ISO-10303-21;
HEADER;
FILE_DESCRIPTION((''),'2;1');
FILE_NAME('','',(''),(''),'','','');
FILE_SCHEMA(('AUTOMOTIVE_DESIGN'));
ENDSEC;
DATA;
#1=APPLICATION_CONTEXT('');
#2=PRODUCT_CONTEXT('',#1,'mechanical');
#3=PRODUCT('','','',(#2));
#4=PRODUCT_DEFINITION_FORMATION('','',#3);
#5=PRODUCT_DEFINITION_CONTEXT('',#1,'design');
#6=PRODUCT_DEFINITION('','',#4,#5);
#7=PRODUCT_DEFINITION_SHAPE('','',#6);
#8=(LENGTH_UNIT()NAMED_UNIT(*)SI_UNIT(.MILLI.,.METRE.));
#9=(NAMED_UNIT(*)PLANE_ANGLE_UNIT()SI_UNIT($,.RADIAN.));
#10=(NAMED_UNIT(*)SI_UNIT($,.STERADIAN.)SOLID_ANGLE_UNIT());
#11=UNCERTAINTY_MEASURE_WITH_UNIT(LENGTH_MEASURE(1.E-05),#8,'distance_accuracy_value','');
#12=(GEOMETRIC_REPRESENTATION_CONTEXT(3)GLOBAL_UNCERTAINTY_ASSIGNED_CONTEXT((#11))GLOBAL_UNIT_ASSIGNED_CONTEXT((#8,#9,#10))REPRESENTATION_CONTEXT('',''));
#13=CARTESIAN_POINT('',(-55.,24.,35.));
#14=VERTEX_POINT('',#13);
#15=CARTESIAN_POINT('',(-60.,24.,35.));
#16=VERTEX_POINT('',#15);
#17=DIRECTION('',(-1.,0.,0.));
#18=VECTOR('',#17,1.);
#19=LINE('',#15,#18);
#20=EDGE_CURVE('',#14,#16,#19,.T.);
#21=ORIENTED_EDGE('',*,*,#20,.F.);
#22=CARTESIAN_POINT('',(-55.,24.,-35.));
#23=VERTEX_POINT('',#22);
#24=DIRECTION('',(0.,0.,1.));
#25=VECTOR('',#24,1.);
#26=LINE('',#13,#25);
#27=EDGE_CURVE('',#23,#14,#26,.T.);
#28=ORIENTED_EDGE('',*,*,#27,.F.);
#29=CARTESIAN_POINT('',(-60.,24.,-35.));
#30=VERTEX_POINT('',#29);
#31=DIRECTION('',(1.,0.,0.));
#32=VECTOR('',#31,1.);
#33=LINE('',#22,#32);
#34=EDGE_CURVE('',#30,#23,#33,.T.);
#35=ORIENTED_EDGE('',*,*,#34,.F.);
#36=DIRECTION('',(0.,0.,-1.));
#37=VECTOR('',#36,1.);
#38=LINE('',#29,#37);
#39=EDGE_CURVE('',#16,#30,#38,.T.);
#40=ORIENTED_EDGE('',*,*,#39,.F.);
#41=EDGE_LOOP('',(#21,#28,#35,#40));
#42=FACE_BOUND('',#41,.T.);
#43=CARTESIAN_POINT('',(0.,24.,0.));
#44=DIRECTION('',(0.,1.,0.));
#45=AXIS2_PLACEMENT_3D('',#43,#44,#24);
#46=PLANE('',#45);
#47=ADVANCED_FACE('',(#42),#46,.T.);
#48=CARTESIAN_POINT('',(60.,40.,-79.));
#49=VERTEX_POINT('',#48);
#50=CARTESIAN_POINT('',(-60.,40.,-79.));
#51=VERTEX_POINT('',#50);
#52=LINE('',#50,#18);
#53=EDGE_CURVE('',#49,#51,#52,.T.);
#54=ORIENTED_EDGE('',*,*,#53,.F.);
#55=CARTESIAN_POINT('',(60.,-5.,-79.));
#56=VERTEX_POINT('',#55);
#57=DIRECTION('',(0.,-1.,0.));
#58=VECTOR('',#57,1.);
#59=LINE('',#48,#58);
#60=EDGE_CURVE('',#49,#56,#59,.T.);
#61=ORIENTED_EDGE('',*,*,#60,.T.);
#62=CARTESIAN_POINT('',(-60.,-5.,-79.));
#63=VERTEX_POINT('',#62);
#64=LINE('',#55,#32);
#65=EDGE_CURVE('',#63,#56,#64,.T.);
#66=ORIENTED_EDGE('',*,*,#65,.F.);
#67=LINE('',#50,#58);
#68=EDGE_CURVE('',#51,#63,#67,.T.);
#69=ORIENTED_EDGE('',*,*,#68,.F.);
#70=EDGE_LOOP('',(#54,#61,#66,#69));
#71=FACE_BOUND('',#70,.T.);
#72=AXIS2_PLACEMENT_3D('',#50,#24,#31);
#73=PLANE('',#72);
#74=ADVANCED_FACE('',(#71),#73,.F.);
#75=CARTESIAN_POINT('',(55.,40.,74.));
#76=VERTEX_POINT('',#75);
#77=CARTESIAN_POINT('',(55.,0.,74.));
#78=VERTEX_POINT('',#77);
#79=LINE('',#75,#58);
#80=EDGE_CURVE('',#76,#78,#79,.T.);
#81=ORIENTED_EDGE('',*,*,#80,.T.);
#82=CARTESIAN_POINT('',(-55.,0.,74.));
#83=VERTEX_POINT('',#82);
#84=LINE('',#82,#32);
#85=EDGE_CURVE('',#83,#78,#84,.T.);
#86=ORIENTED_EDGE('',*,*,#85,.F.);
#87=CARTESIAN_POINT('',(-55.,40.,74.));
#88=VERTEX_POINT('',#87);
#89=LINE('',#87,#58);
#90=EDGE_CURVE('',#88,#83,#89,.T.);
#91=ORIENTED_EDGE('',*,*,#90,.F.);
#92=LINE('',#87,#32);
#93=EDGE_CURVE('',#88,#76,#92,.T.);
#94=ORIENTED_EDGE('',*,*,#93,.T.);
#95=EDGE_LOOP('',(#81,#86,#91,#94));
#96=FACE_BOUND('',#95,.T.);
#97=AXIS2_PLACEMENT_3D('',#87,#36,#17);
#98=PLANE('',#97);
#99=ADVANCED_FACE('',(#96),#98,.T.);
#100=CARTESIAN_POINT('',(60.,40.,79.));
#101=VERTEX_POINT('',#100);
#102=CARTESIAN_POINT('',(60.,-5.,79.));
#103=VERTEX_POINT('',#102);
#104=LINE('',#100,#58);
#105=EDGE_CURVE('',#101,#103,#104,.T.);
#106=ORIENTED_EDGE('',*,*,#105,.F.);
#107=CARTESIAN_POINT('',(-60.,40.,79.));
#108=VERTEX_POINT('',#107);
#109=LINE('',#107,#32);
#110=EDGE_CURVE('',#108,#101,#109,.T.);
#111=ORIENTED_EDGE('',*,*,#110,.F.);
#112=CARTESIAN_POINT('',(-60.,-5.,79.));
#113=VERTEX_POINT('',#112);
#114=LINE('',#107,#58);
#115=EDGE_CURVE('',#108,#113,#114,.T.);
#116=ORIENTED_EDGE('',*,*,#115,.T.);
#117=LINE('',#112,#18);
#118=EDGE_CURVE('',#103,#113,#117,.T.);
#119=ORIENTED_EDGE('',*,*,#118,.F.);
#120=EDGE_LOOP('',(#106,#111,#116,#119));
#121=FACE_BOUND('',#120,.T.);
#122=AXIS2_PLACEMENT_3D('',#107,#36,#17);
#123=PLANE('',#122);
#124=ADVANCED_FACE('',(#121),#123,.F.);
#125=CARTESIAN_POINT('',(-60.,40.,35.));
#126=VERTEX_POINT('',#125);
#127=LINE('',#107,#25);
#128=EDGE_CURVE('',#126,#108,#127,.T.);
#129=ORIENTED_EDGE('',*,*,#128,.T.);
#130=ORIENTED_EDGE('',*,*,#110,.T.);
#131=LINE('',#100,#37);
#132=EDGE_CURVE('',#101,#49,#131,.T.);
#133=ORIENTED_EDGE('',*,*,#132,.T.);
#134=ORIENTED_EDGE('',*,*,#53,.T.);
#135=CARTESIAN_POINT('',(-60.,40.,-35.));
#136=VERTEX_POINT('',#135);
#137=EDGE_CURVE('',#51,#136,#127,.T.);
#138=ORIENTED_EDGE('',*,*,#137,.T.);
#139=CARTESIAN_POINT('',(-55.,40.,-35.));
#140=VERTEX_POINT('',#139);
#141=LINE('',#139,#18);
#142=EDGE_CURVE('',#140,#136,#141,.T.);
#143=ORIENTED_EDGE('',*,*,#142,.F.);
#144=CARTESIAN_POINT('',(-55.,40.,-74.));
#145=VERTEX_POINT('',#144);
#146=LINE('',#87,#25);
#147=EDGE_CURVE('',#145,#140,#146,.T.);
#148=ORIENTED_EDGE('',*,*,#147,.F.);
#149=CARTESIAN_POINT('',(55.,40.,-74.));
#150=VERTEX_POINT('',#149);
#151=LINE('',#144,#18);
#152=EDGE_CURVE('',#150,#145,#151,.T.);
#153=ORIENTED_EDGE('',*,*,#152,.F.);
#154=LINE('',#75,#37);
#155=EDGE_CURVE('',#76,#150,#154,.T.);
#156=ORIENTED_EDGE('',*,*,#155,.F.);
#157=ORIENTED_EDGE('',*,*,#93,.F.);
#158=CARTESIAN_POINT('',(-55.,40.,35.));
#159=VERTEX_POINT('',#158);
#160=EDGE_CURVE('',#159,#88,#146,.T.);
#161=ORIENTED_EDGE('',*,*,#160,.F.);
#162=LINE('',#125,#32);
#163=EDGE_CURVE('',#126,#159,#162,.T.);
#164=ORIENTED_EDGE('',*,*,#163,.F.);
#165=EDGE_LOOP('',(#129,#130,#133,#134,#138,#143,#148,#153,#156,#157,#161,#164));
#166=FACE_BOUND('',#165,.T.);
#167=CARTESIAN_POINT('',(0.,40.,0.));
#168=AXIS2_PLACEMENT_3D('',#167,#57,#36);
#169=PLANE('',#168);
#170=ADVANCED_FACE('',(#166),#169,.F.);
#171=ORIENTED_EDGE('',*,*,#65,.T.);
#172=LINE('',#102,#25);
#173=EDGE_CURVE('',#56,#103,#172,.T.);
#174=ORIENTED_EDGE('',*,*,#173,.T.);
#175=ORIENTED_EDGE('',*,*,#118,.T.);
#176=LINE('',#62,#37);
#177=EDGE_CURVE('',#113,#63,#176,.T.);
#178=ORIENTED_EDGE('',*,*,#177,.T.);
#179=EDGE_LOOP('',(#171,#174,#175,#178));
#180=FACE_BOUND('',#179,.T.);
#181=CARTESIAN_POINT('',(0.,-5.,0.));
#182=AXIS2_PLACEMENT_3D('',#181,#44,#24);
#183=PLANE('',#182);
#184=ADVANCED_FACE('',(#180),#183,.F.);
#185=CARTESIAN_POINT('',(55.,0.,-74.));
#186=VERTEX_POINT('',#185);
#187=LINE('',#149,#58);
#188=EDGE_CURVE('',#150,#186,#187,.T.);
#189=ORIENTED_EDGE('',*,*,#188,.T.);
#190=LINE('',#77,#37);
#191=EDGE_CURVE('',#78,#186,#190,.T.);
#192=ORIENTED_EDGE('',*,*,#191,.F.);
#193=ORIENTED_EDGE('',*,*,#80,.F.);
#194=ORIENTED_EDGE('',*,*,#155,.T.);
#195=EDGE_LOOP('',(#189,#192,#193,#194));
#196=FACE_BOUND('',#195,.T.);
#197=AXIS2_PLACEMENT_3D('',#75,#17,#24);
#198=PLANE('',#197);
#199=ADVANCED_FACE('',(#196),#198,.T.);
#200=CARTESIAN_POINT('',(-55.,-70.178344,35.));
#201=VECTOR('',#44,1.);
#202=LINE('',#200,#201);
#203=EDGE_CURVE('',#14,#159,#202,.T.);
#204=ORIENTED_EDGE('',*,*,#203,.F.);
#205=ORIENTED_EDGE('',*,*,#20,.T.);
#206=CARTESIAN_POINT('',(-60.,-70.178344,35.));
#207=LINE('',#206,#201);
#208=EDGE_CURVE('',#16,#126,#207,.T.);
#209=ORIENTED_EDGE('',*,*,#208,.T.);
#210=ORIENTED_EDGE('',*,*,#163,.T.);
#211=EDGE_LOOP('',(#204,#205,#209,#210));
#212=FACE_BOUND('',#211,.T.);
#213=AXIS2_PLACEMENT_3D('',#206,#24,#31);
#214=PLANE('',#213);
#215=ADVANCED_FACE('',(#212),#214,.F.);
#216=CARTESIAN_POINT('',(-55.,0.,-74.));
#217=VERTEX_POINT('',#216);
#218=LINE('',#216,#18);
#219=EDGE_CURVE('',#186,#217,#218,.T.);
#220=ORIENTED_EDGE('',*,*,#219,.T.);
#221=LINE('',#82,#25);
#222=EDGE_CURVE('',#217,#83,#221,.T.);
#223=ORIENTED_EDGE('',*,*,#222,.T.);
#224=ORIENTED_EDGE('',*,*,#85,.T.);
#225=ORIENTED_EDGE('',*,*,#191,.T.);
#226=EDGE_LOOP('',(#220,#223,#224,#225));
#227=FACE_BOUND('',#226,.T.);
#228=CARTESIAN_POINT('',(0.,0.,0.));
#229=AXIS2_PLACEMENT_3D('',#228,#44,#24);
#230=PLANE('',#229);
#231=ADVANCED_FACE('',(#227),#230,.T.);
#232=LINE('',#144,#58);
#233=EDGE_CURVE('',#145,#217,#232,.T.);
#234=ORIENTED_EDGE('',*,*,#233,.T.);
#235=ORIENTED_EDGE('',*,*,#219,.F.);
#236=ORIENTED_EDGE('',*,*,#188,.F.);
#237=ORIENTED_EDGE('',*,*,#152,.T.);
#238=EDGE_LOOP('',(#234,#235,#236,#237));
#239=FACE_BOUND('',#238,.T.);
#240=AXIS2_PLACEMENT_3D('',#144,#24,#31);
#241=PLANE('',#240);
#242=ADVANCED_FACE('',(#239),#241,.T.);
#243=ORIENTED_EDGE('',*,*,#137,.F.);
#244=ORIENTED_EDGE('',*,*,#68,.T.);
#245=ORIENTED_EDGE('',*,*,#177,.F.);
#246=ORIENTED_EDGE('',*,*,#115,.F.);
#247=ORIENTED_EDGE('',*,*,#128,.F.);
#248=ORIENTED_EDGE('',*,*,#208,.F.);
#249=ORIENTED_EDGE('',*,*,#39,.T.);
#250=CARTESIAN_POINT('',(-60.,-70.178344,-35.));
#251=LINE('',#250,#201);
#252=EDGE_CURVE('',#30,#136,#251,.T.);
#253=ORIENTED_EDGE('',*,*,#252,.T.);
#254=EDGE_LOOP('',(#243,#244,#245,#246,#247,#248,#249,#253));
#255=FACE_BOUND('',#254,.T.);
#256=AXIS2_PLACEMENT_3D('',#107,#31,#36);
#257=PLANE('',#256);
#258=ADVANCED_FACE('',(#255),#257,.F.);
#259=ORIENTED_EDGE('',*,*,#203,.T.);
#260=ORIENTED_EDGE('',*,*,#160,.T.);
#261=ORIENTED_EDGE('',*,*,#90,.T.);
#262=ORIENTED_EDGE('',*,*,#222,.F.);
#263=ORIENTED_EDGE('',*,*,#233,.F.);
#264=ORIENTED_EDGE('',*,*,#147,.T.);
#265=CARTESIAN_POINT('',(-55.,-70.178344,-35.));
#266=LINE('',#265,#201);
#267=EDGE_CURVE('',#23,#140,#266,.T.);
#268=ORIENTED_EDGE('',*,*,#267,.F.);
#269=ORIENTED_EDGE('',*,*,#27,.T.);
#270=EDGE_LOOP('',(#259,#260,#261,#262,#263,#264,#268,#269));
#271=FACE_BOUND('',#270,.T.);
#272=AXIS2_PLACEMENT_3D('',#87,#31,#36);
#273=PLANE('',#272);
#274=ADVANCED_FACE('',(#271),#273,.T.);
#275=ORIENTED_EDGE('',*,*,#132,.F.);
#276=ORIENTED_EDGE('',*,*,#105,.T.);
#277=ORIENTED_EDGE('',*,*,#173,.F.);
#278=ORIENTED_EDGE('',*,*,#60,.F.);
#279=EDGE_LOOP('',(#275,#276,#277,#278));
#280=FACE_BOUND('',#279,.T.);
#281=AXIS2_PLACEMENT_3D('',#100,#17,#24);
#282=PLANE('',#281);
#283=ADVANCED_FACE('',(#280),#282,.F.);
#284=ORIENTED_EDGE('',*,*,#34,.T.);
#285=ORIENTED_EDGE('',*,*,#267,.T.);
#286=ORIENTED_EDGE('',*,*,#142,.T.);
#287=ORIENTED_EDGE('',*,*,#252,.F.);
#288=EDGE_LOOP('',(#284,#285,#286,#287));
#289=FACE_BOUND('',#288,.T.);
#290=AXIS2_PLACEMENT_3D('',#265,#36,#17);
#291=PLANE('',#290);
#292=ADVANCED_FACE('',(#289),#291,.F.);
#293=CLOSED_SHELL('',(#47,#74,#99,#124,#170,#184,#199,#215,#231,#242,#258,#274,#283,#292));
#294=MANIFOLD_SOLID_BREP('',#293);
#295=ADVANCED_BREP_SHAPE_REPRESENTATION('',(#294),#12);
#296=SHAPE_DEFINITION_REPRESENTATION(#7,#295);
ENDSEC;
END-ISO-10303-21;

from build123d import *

# Parameters (mm, degrees)
SKETCH1_W           = 120
SKETCH1_H           = 158
SKETCH1_W_2         = 110
SKETCH1_H_2         = 148
BOSS_EXTRUDE1_DEPTH = 40
SKETCH2_W           = 120
SKETCH2_H           = 158
BOSS_EXTRUDE2_DEPTH = 5
SKETCH3_W           = 5
SKETCH3_H           = 70
CUT_EXTRUDE1_DEPTH  = 16


with BuildPart() as part:
    # Sketch1 → Boss-Extrude1 (new body)
    with BuildSketch(Plane(origin=(0, 0, 0), x_dir=(1, 0, 0), z_dir=(0, 1, 0))):
        Rectangle(SKETCH1_W, SKETCH1_H)
        Rectangle(SKETCH1_W_2, SKETCH1_H_2, mode=Mode.SUBTRACT)
    extrude(amount=BOSS_EXTRUDE1_DEPTH)

    # Sketch2 → Boss-Extrude2 (add)
    with BuildSketch(Plane.XZ):
        Rectangle(SKETCH2_W, SKETCH2_H)
    extrude(amount=BOSS_EXTRUDE2_DEPTH)

    # Sketch3 → Cut-Extrude1 (cut)
    with BuildSketch(Plane(origin=(0, 40, 0), x_dir=(1, 0, 0), z_dir=(0, 1, 0))):
        with Locations((-57.5, 0)):
            Rectangle(SKETCH3_W, SKETCH3_H)
    extrude(amount=-CUT_EXTRUDE1_DEPTH, mode=Mode.SUBTRACT)


solid = part.part
